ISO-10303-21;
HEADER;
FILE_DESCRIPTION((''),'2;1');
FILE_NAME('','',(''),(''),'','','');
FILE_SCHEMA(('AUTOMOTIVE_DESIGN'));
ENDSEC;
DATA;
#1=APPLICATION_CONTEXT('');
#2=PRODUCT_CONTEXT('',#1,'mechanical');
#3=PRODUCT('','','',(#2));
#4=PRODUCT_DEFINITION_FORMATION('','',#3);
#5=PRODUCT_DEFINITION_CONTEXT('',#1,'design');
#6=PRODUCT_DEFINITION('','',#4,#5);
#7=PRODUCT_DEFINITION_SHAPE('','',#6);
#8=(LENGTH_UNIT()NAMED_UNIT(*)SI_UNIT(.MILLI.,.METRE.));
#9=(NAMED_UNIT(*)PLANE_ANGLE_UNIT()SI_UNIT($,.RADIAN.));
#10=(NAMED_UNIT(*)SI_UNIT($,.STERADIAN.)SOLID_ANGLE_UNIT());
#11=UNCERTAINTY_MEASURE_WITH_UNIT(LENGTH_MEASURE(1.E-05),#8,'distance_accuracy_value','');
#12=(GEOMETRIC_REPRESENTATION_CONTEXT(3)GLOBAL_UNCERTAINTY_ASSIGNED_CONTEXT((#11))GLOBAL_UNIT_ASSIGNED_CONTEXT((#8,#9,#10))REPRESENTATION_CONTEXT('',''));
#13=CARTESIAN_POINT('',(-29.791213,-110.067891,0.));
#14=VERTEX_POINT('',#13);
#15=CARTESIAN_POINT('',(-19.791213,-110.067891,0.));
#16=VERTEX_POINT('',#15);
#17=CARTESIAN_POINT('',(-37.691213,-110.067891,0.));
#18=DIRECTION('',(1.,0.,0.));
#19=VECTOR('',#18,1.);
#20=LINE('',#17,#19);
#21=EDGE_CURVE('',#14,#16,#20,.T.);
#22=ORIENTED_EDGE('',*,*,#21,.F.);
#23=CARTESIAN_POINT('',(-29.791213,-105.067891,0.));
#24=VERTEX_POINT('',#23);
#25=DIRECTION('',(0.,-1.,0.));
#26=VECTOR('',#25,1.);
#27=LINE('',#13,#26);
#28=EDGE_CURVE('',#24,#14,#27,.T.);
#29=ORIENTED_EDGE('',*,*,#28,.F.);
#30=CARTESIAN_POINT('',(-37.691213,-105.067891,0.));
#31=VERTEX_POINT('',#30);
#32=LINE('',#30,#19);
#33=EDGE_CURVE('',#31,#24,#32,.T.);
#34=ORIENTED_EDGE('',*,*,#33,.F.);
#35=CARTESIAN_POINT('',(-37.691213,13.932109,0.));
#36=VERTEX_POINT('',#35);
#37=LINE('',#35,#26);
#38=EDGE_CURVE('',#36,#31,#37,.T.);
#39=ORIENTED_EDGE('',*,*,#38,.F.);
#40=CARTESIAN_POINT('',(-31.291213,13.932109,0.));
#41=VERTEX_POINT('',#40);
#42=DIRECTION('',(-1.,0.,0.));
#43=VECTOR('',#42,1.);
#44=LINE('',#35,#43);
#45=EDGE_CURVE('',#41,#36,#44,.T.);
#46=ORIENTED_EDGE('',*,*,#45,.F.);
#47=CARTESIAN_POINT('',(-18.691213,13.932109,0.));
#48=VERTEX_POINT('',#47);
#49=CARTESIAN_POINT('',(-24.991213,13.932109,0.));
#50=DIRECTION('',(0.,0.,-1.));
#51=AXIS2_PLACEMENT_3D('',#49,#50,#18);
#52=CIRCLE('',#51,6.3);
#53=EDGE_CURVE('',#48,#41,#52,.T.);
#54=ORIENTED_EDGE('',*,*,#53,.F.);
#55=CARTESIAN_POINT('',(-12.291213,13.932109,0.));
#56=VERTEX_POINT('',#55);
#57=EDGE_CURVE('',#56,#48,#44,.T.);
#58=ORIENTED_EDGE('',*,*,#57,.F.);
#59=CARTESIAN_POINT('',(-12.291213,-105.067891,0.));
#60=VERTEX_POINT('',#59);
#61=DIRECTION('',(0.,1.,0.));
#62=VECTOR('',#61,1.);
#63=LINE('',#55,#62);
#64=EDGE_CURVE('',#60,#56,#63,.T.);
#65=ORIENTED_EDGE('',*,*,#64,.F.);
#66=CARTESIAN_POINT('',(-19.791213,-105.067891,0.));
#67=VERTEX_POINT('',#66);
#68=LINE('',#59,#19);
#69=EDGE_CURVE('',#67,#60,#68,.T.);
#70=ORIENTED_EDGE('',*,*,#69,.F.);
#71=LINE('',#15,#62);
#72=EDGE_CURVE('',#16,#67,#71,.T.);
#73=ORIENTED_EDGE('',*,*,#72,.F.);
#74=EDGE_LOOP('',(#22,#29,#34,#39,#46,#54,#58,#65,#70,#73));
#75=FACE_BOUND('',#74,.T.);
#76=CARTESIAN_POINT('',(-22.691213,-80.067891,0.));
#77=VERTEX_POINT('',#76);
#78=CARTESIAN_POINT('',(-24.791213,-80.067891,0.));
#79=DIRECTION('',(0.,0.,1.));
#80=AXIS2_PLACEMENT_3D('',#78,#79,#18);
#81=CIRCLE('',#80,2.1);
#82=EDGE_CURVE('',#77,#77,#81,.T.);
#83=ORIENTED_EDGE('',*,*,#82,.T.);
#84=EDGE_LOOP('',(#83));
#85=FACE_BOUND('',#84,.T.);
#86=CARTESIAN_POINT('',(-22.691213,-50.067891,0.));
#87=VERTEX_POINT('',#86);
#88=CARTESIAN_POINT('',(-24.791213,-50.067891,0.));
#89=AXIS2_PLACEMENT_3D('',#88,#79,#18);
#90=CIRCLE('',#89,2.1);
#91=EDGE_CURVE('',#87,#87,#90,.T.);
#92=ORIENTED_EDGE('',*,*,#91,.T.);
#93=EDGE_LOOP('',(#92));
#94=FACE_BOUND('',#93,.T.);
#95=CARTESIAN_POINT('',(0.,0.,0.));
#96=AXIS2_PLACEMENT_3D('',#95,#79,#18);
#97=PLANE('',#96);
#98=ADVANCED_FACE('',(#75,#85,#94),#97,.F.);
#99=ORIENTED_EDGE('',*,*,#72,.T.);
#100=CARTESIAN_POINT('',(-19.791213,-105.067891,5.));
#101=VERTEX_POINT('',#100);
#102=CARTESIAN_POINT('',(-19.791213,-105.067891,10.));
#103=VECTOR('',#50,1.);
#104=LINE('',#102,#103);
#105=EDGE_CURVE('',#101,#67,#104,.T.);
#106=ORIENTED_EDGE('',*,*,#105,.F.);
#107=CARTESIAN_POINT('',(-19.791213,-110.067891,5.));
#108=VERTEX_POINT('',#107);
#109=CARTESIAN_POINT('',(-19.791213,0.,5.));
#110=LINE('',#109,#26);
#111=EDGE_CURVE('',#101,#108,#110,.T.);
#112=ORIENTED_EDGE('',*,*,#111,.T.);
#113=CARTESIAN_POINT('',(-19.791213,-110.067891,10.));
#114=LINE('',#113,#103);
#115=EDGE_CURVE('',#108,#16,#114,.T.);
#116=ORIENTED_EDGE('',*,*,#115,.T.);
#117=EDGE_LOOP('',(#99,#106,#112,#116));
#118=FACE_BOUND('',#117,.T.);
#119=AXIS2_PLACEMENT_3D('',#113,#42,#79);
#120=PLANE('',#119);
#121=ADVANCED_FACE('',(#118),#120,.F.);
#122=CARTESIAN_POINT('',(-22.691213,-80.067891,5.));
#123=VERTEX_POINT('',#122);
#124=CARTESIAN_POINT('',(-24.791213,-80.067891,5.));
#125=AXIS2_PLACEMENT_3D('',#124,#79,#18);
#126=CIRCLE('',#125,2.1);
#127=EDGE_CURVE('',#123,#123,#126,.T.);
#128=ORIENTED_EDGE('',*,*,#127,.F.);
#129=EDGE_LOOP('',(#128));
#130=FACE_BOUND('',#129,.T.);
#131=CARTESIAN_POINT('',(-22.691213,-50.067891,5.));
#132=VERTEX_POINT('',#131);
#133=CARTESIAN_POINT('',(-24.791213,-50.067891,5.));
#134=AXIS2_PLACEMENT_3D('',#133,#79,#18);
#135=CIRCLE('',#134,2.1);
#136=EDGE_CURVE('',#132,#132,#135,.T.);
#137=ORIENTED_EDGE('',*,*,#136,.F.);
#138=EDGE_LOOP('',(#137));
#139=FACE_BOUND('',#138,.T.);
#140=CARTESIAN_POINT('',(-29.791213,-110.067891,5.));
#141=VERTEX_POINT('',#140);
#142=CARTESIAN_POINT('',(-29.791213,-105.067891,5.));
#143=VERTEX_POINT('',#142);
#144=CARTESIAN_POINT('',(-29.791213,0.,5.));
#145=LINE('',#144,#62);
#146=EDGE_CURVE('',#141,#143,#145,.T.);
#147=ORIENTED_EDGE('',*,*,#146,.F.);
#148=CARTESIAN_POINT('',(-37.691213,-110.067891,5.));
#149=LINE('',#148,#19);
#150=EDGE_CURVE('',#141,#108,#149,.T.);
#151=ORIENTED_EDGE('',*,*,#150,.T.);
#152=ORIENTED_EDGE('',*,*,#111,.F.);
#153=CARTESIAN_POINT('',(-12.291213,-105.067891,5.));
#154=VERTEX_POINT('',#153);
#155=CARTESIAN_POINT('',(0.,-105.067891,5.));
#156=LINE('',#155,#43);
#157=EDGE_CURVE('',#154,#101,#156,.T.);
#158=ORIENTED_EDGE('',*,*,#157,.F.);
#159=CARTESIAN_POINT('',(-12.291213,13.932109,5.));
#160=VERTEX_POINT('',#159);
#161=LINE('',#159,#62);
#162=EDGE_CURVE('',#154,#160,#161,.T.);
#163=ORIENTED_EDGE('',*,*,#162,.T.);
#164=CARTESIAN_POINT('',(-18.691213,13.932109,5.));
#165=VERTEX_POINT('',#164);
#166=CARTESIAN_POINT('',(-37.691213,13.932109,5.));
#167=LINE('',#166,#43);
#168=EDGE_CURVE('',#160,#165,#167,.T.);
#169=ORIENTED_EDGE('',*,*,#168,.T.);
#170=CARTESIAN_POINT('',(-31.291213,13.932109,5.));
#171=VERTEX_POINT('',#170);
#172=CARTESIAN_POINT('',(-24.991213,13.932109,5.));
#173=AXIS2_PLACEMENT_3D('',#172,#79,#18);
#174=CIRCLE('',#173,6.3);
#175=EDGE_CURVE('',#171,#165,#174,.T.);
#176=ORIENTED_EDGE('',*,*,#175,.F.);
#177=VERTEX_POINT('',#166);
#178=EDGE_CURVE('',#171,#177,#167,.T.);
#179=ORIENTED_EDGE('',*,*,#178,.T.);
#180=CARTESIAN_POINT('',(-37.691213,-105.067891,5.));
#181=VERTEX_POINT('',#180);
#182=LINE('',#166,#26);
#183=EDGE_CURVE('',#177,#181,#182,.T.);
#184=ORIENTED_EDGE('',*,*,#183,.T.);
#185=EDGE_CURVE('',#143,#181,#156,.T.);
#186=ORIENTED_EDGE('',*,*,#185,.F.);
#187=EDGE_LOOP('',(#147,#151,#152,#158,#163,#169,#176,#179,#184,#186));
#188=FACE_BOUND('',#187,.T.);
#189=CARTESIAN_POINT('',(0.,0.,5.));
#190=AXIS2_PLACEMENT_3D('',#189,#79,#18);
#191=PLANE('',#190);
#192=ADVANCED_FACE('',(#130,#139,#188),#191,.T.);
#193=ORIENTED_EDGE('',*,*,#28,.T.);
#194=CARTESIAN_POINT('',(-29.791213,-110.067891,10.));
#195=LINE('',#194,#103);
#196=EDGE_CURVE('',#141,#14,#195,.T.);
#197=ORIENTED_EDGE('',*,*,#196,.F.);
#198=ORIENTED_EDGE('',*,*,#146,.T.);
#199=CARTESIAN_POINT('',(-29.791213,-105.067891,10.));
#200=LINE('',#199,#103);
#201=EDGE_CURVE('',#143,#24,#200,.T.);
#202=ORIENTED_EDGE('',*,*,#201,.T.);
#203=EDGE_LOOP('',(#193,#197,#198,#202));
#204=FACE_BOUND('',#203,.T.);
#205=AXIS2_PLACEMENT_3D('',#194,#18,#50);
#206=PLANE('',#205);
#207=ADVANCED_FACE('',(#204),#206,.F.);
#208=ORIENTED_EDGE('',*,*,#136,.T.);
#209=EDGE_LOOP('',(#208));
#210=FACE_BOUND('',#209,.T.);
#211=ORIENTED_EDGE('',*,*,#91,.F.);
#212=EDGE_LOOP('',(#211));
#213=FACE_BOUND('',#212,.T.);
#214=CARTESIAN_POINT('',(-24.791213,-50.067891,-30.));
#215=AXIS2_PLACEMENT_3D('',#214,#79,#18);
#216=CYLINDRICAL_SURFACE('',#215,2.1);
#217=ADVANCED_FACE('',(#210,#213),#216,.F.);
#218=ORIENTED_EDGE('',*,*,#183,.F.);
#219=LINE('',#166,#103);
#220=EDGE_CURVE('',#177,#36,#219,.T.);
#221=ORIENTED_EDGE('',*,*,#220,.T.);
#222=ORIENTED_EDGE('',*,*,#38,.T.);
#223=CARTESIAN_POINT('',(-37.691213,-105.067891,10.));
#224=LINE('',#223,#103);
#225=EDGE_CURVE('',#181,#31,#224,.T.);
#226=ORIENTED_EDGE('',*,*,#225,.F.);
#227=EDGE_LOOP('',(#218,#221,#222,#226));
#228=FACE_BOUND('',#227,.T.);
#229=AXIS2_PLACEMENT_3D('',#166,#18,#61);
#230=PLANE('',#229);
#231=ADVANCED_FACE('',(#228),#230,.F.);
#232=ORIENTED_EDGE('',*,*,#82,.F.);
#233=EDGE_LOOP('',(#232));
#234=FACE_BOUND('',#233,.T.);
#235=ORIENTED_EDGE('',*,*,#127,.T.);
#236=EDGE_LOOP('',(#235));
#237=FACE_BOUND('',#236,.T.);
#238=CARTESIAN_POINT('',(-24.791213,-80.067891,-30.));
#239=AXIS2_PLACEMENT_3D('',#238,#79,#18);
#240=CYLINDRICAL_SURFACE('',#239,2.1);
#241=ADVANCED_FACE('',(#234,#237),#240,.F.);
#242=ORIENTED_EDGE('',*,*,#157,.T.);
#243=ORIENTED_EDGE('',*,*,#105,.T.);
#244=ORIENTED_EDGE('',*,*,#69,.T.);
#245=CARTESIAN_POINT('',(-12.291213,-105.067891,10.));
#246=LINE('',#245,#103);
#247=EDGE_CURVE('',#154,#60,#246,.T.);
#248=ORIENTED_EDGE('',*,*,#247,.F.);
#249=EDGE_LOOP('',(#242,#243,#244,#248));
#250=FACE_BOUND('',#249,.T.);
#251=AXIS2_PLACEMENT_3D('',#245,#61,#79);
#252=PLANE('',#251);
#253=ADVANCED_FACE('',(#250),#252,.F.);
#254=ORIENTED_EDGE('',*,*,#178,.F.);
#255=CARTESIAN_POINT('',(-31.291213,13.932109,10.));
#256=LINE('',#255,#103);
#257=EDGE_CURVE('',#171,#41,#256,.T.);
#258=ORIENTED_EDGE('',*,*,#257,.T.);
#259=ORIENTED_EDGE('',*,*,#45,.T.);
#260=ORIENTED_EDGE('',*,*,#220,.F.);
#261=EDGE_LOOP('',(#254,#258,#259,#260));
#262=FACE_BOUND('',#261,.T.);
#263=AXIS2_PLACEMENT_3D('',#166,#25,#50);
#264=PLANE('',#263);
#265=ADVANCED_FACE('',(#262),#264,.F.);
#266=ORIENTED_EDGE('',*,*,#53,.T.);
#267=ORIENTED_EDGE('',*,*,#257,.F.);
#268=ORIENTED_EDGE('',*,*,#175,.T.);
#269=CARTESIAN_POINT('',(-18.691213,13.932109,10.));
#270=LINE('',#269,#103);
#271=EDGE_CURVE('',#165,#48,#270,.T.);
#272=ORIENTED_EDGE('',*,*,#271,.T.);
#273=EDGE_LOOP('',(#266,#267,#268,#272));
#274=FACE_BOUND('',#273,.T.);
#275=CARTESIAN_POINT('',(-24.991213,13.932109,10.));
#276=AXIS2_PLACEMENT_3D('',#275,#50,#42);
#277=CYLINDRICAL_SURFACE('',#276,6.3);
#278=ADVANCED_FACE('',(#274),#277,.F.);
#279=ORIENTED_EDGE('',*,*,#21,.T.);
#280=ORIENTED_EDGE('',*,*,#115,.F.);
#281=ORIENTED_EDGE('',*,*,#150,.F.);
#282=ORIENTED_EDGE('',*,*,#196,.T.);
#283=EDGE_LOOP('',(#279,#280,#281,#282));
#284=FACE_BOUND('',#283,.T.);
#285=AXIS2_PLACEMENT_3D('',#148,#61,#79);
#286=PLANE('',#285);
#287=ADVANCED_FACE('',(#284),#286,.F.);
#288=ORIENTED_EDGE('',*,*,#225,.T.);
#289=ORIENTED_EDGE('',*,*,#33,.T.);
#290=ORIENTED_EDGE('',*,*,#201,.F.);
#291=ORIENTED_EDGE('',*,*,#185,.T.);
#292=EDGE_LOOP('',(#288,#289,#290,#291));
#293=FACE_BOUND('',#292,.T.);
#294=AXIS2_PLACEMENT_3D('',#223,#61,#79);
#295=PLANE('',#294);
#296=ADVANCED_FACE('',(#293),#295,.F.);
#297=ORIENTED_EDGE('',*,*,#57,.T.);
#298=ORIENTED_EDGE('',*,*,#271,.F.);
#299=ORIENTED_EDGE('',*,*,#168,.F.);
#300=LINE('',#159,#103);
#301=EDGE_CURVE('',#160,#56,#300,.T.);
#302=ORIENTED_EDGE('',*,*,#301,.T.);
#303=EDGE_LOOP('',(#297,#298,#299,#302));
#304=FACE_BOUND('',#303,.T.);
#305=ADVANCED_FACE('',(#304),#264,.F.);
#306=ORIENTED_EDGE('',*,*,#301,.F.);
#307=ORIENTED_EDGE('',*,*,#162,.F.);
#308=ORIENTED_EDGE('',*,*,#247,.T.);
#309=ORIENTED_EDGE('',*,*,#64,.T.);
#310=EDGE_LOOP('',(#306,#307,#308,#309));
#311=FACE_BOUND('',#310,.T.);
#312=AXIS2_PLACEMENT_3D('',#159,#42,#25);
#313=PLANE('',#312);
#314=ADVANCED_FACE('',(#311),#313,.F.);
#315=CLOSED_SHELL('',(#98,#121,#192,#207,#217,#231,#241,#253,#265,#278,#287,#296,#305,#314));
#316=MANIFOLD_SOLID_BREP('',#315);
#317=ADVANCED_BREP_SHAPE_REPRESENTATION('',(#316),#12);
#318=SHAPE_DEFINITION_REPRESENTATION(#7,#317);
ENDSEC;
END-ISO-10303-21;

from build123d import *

# Parameters (mm, degrees)
SKETCH1_W           = 25.4
SKETCH1_H           = 124
BOSS_EXTRUDE1_DEPTH = 5
SKETCH2_R           = 2.1
CUT_EXTRUDE1_DEPTH  = 35
SKETCH5_W           = 7.5
SKETCH5_H           = 5
SKETCH5_W_2         = 7.9
CUT_EXTRUDE3_DEPTH  = 10
CUT_EXTRUDE4_DEPTH  = 10


with BuildPart() as part:
    # Sketch1 → Boss-Extrude1 (new body)
    with BuildSketch(Plane.XY):
        with Locations((-24.991212543, -48.06789091)):
            Rectangle(SKETCH1_W, SKETCH1_H)
    extrude(amount=BOSS_EXTRUDE1_DEPTH)

    # Sketch2 → Cut-Extrude1 (cut)
    with BuildSketch(Plane.XY.offset(5)):
        with Locations((-24.791212543, -50.06789091)):
            Circle(SKETCH2_R)
        with Locations((-24.791212543, -80.06789091)):
            Circle(SKETCH2_R)
    extrude(amount=-CUT_EXTRUDE1_DEPTH, mode=Mode.SUBTRACT)

    # Sketch5 → Cut-Extrude3 (cut)
    with BuildSketch(Plane(origin=(0, 0, 0), x_dir=(-1, 0, 0), z_dir=(0, 0, -1))):
        with Locations((16.041212543, -107.56789091)):
            Rectangle(SKETCH5_W, SKETCH5_H)
        with Locations((33.741212543, -107.56789091)):
            Rectangle(SKETCH5_W_2, SKETCH5_H)
    extrude(amount=-CUT_EXTRUDE3_DEPTH, mode=Mode.SUBTRACT)

    # Sketch7 → Cut-Extrude4 (cut)
    with BuildSketch(Plane(origin=(0, 0, 0), x_dir=(-1, 0, 0), z_dir=(0, 0, -1))):
        with BuildLine():
            Line((18.691212543, 13.93210909), (31.291212543, 13.93210909))
            ThreePointArc((31.291212543, 13.93210909), (24.991212543, 7.63210909), (18.691212543, 13.93210909))
        make_face()
    extrude(amount=-CUT_EXTRUDE4_DEPTH, mode=Mode.SUBTRACT)


solid = part.part
